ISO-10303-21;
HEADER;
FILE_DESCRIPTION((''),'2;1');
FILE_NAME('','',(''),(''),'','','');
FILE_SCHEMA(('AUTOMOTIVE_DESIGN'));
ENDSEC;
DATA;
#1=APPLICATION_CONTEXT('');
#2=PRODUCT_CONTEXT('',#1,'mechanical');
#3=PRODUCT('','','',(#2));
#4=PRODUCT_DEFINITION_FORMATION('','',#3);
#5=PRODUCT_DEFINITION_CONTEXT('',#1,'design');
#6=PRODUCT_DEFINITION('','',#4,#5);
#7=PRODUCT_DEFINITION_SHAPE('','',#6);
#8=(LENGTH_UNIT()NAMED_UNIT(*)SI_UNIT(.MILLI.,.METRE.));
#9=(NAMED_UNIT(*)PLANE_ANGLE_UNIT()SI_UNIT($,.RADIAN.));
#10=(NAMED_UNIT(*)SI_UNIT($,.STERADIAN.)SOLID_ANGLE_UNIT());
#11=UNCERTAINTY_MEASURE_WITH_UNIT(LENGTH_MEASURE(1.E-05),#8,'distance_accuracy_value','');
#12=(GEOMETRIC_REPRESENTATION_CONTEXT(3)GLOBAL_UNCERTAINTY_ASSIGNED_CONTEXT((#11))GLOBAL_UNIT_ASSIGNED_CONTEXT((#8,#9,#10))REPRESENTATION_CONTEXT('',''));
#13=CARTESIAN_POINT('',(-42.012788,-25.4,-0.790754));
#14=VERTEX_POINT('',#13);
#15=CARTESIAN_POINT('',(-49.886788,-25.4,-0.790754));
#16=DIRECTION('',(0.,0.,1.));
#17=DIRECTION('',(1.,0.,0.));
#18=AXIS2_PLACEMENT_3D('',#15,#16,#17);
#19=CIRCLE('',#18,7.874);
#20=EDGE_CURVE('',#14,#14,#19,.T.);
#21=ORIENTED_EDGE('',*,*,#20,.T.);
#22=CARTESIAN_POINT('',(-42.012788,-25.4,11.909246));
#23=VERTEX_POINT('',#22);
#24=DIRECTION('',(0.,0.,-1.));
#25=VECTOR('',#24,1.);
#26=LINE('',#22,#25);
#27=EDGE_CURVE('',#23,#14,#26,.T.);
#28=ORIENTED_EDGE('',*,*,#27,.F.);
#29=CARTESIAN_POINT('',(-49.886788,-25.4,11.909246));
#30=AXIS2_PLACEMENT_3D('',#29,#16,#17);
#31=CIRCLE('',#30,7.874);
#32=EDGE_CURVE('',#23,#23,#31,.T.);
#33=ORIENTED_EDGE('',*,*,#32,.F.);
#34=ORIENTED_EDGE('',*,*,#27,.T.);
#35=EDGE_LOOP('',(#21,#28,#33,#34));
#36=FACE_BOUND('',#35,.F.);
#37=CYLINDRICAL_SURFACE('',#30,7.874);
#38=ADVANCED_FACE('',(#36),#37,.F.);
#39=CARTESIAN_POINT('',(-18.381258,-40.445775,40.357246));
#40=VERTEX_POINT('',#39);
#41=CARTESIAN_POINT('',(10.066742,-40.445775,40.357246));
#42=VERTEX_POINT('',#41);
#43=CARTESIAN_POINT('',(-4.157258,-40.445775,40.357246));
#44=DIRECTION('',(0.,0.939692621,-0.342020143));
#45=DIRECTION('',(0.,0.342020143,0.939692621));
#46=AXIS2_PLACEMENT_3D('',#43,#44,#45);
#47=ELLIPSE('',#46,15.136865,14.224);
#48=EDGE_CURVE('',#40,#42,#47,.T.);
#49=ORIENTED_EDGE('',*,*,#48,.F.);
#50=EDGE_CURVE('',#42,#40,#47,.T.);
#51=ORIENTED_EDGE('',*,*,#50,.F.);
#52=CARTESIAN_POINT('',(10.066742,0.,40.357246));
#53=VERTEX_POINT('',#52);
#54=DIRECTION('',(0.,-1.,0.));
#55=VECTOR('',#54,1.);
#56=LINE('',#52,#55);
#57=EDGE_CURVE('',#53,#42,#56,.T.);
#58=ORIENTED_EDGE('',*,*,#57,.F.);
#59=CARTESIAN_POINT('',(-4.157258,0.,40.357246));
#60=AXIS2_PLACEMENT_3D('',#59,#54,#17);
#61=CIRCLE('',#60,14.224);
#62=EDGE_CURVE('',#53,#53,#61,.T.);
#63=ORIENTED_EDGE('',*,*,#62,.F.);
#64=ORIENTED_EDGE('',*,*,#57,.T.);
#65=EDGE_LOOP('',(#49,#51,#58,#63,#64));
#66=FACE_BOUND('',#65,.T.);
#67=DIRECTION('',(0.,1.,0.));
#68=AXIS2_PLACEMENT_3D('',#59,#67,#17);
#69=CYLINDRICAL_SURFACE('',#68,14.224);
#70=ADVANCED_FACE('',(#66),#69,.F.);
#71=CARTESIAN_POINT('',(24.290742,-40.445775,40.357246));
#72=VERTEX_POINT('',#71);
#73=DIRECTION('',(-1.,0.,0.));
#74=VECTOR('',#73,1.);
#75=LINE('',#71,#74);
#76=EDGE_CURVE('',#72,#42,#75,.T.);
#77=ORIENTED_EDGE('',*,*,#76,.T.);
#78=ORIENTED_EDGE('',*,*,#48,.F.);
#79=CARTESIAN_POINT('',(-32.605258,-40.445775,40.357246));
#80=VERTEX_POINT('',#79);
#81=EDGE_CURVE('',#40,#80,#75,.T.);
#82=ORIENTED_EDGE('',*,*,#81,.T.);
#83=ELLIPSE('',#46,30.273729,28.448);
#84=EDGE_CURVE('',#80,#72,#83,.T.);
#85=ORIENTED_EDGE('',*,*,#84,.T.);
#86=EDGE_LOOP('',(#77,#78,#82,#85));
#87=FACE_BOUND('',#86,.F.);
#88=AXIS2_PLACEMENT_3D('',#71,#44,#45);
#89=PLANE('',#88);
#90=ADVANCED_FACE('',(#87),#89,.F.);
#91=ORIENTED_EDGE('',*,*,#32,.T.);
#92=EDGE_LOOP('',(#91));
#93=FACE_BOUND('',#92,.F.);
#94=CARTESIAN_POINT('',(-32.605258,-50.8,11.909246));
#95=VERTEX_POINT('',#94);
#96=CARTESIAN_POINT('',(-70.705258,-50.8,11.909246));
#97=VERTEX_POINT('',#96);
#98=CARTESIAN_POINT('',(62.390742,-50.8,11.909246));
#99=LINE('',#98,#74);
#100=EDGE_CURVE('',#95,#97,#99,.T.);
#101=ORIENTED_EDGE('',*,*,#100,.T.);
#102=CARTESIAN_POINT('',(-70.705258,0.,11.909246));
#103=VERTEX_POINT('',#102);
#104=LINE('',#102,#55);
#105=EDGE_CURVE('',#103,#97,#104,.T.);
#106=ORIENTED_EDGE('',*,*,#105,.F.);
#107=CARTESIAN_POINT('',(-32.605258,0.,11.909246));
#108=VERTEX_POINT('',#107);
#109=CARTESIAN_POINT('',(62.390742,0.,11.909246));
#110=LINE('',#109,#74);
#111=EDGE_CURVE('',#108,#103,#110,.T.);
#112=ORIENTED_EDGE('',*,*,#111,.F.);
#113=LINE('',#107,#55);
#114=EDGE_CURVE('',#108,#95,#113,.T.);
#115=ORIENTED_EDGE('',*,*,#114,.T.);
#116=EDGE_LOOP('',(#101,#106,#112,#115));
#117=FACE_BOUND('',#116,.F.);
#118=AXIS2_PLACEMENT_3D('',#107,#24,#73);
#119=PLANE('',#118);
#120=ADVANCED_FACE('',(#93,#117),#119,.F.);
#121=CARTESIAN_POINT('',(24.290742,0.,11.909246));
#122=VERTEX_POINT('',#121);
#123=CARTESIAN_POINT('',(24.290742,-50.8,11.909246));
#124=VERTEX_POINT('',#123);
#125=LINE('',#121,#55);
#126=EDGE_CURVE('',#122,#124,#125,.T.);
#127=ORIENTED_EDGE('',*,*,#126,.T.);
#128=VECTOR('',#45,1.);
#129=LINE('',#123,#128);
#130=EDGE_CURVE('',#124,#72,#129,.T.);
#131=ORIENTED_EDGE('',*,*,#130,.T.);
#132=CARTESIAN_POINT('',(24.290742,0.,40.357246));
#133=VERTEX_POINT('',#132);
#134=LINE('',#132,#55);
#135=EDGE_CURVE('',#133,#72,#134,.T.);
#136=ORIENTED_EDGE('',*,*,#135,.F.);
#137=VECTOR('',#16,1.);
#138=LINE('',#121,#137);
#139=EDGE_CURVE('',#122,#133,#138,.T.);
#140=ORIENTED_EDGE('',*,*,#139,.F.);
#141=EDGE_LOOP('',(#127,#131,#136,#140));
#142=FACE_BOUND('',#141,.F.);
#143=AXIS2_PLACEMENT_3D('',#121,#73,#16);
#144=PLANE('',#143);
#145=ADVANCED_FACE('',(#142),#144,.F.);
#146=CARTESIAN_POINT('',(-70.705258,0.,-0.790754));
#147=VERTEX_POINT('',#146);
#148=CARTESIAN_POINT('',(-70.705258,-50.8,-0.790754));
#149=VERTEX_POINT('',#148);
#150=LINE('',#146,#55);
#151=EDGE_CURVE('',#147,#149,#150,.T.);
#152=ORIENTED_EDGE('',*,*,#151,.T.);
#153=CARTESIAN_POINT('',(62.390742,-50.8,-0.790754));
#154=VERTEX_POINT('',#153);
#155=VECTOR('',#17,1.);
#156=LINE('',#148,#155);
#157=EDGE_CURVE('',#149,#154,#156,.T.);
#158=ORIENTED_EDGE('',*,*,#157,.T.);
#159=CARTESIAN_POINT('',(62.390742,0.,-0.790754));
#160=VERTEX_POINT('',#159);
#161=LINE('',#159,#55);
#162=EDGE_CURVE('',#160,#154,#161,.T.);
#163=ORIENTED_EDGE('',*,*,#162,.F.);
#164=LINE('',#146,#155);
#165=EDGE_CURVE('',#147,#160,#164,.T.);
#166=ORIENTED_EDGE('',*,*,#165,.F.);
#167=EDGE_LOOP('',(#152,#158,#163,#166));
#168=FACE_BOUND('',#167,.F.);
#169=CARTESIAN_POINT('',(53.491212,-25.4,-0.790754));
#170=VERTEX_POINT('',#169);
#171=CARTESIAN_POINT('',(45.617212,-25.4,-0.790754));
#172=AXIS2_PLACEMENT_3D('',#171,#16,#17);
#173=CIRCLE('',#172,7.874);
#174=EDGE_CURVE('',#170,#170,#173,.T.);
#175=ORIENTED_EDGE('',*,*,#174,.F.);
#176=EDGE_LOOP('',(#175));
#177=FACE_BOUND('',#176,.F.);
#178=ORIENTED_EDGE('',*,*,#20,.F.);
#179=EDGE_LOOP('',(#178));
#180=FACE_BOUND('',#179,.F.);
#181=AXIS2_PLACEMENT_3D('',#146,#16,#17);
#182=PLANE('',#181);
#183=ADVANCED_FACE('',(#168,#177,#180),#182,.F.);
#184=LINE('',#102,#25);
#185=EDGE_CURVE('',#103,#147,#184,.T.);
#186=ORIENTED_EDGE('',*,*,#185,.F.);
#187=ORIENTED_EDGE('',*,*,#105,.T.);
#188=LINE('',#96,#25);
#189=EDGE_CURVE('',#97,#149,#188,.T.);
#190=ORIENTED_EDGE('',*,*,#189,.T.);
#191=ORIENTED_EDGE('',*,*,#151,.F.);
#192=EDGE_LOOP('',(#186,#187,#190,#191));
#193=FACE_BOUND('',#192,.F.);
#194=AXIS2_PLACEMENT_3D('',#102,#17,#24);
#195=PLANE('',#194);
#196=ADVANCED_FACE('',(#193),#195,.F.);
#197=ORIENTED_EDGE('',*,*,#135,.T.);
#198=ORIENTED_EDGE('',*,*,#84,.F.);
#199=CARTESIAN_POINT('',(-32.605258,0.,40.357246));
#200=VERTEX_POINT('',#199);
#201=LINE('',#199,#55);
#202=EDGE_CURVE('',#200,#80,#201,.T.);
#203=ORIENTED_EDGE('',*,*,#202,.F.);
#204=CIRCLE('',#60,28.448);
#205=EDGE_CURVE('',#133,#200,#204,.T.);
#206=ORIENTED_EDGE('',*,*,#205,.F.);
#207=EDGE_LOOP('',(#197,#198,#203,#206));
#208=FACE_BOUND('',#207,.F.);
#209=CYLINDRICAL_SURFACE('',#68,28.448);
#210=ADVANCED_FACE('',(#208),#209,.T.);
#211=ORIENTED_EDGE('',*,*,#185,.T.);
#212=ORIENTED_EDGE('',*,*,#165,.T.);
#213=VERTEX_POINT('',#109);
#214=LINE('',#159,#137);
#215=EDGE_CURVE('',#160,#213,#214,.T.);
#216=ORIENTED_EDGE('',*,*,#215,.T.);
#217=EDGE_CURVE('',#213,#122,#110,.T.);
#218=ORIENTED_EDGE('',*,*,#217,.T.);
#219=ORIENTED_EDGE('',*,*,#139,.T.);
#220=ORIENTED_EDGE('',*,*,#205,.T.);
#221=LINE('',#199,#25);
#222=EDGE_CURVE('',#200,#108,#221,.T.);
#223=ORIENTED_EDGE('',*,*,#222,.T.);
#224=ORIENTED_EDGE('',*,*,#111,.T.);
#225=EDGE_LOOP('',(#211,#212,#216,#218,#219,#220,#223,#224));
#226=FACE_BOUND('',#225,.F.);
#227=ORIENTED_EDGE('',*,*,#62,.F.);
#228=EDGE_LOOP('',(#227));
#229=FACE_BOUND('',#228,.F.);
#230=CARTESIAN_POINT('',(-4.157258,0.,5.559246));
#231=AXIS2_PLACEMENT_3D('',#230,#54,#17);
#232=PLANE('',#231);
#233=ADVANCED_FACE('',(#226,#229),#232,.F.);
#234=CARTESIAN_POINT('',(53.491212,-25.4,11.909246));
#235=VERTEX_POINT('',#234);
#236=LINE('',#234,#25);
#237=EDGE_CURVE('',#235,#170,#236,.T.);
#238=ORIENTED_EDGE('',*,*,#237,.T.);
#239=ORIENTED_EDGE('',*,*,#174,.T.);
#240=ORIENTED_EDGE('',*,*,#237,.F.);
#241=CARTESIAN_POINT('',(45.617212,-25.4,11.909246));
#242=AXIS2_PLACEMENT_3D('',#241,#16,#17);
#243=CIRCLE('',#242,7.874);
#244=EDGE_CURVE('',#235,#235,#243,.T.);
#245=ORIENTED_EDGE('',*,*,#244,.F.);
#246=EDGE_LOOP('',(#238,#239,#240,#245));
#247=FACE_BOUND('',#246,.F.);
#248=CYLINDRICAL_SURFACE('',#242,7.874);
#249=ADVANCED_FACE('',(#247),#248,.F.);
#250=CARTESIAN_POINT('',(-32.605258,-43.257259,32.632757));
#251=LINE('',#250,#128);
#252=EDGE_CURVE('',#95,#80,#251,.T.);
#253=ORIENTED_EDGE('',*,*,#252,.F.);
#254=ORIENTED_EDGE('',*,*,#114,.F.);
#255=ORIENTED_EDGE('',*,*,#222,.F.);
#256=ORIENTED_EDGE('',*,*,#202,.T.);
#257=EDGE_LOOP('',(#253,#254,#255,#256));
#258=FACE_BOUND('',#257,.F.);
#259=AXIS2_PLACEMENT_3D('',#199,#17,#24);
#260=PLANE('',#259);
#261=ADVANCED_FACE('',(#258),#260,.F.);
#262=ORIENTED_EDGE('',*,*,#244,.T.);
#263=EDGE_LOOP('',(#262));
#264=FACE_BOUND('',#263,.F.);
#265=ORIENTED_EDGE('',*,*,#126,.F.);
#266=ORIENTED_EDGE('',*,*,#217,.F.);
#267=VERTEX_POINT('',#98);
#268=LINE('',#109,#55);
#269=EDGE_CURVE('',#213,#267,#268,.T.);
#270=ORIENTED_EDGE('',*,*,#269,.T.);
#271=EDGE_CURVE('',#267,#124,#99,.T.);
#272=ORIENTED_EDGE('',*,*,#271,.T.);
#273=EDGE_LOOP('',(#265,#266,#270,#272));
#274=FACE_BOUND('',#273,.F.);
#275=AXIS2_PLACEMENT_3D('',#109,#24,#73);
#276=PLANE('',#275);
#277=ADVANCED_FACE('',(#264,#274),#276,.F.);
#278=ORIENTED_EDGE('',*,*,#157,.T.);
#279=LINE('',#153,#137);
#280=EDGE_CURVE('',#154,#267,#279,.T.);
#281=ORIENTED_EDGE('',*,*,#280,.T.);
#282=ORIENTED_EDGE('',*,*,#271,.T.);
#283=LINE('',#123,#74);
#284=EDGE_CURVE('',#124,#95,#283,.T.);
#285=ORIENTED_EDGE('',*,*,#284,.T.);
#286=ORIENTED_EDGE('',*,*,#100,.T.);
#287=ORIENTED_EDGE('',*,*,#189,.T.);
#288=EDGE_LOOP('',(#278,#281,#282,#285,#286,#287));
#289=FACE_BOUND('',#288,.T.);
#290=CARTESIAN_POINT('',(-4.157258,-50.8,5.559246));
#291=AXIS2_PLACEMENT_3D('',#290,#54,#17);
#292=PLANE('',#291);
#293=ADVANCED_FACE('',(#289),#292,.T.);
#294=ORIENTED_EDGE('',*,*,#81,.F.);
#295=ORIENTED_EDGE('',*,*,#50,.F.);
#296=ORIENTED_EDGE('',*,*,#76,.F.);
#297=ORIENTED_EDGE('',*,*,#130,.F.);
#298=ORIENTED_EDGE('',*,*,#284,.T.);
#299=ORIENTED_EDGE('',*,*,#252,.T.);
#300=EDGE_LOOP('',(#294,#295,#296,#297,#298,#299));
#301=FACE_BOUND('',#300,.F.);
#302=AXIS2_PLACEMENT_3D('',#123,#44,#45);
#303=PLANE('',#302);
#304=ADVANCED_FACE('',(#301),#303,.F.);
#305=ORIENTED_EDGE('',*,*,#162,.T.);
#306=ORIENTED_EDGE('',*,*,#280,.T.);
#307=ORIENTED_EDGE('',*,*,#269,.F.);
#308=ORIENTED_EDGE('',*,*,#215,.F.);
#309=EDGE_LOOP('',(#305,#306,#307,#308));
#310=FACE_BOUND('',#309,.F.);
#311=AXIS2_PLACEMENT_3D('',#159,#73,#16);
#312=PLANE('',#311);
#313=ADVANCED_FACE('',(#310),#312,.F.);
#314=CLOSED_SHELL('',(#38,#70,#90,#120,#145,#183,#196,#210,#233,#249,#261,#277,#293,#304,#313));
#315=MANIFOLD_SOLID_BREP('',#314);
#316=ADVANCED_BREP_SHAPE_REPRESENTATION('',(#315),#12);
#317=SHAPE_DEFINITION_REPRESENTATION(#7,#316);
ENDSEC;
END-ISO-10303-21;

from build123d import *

# Parameters (mm, degrees)
F0_R     = 14.224
F1_DEPTH = 50.8
F3_DEPTH = 177.8
F4_R     = 7.874
F5_DEPTH = 25.4


with BuildPart() as f1:
    # F0 (on Front) → F1 (new body)
    with BuildSketch(Plane.XZ):
        Polygon((-32.6052582374, 11.9092461534), (-70.7052582374, 11.9092461534), (-70.7052582374, -0.7907538466), (62.3907417626, -0.7907538466), (62.3907417626, 11.9092461534), (24.2907417626, 11.9092461534), align=None)
        with BuildLine():
            Line((-32.6052582374, 14.9572461534), (-32.6052582374, 11.9092461534))
            Line((-32.6052582374, 11.9092461534), (24.2907417626, 11.9092461534))
            Line((24.2907417626, 11.9092461534), (24.2907417626, 14.9572461534))
            Line((24.2907417626, 14.9572461534), (24.2907417626, 40.3572461534))
            ThreePointArc((24.2907417626, 40.3572461534), (-4.1572582374, 68.8052461534), (-32.6052582374, 40.3572461534))
            Line((-32.6052582374, 40.3572461534), (-32.6052582374, 14.9572461534))
        make_face()
        with Locations((-4.1572582374, 40.3572461534)):
            Circle(F0_R, mode=Mode.SUBTRACT)
    extrude(amount=F1_DEPTH)

    # F2 (on face) → F3 (cut)
    with BuildSketch(Plane.YZ.offset(24.2907417626)):
        Polygon((-50.8, 68.8053369522), (-30.0915165031, 68.8053369522), (-28.7422632826, 72.5123797086), (-50.8, 72.5123797086), align=None)
        Polygon((-50.8, 40.3572461534), (-50.8, 11.9092461534), (-40.4457747756, 40.3572461534), align=None)
        Polygon((-50.8, 40.3572461534), (-40.4457747756, 40.3572461534), (-30.0915165031, 68.8053369522), (-50.8, 68.8053369522), align=None)
    extrude(amount=-F3_DEPTH, mode=Mode.SUBTRACT)

    # F4 (on face) → F5 (cut)
    with BuildSketch(Plane.XY.offset(11.9092461534)):
        with Locations((-49.8867883899, -25.4)):
            Circle(F4_R)
        with Locations((45.6172116101, -25.4)):
            Circle(F4_R)
    extrude(amount=-F5_DEPTH, mode=Mode.SUBTRACT)


solid = f1.part
